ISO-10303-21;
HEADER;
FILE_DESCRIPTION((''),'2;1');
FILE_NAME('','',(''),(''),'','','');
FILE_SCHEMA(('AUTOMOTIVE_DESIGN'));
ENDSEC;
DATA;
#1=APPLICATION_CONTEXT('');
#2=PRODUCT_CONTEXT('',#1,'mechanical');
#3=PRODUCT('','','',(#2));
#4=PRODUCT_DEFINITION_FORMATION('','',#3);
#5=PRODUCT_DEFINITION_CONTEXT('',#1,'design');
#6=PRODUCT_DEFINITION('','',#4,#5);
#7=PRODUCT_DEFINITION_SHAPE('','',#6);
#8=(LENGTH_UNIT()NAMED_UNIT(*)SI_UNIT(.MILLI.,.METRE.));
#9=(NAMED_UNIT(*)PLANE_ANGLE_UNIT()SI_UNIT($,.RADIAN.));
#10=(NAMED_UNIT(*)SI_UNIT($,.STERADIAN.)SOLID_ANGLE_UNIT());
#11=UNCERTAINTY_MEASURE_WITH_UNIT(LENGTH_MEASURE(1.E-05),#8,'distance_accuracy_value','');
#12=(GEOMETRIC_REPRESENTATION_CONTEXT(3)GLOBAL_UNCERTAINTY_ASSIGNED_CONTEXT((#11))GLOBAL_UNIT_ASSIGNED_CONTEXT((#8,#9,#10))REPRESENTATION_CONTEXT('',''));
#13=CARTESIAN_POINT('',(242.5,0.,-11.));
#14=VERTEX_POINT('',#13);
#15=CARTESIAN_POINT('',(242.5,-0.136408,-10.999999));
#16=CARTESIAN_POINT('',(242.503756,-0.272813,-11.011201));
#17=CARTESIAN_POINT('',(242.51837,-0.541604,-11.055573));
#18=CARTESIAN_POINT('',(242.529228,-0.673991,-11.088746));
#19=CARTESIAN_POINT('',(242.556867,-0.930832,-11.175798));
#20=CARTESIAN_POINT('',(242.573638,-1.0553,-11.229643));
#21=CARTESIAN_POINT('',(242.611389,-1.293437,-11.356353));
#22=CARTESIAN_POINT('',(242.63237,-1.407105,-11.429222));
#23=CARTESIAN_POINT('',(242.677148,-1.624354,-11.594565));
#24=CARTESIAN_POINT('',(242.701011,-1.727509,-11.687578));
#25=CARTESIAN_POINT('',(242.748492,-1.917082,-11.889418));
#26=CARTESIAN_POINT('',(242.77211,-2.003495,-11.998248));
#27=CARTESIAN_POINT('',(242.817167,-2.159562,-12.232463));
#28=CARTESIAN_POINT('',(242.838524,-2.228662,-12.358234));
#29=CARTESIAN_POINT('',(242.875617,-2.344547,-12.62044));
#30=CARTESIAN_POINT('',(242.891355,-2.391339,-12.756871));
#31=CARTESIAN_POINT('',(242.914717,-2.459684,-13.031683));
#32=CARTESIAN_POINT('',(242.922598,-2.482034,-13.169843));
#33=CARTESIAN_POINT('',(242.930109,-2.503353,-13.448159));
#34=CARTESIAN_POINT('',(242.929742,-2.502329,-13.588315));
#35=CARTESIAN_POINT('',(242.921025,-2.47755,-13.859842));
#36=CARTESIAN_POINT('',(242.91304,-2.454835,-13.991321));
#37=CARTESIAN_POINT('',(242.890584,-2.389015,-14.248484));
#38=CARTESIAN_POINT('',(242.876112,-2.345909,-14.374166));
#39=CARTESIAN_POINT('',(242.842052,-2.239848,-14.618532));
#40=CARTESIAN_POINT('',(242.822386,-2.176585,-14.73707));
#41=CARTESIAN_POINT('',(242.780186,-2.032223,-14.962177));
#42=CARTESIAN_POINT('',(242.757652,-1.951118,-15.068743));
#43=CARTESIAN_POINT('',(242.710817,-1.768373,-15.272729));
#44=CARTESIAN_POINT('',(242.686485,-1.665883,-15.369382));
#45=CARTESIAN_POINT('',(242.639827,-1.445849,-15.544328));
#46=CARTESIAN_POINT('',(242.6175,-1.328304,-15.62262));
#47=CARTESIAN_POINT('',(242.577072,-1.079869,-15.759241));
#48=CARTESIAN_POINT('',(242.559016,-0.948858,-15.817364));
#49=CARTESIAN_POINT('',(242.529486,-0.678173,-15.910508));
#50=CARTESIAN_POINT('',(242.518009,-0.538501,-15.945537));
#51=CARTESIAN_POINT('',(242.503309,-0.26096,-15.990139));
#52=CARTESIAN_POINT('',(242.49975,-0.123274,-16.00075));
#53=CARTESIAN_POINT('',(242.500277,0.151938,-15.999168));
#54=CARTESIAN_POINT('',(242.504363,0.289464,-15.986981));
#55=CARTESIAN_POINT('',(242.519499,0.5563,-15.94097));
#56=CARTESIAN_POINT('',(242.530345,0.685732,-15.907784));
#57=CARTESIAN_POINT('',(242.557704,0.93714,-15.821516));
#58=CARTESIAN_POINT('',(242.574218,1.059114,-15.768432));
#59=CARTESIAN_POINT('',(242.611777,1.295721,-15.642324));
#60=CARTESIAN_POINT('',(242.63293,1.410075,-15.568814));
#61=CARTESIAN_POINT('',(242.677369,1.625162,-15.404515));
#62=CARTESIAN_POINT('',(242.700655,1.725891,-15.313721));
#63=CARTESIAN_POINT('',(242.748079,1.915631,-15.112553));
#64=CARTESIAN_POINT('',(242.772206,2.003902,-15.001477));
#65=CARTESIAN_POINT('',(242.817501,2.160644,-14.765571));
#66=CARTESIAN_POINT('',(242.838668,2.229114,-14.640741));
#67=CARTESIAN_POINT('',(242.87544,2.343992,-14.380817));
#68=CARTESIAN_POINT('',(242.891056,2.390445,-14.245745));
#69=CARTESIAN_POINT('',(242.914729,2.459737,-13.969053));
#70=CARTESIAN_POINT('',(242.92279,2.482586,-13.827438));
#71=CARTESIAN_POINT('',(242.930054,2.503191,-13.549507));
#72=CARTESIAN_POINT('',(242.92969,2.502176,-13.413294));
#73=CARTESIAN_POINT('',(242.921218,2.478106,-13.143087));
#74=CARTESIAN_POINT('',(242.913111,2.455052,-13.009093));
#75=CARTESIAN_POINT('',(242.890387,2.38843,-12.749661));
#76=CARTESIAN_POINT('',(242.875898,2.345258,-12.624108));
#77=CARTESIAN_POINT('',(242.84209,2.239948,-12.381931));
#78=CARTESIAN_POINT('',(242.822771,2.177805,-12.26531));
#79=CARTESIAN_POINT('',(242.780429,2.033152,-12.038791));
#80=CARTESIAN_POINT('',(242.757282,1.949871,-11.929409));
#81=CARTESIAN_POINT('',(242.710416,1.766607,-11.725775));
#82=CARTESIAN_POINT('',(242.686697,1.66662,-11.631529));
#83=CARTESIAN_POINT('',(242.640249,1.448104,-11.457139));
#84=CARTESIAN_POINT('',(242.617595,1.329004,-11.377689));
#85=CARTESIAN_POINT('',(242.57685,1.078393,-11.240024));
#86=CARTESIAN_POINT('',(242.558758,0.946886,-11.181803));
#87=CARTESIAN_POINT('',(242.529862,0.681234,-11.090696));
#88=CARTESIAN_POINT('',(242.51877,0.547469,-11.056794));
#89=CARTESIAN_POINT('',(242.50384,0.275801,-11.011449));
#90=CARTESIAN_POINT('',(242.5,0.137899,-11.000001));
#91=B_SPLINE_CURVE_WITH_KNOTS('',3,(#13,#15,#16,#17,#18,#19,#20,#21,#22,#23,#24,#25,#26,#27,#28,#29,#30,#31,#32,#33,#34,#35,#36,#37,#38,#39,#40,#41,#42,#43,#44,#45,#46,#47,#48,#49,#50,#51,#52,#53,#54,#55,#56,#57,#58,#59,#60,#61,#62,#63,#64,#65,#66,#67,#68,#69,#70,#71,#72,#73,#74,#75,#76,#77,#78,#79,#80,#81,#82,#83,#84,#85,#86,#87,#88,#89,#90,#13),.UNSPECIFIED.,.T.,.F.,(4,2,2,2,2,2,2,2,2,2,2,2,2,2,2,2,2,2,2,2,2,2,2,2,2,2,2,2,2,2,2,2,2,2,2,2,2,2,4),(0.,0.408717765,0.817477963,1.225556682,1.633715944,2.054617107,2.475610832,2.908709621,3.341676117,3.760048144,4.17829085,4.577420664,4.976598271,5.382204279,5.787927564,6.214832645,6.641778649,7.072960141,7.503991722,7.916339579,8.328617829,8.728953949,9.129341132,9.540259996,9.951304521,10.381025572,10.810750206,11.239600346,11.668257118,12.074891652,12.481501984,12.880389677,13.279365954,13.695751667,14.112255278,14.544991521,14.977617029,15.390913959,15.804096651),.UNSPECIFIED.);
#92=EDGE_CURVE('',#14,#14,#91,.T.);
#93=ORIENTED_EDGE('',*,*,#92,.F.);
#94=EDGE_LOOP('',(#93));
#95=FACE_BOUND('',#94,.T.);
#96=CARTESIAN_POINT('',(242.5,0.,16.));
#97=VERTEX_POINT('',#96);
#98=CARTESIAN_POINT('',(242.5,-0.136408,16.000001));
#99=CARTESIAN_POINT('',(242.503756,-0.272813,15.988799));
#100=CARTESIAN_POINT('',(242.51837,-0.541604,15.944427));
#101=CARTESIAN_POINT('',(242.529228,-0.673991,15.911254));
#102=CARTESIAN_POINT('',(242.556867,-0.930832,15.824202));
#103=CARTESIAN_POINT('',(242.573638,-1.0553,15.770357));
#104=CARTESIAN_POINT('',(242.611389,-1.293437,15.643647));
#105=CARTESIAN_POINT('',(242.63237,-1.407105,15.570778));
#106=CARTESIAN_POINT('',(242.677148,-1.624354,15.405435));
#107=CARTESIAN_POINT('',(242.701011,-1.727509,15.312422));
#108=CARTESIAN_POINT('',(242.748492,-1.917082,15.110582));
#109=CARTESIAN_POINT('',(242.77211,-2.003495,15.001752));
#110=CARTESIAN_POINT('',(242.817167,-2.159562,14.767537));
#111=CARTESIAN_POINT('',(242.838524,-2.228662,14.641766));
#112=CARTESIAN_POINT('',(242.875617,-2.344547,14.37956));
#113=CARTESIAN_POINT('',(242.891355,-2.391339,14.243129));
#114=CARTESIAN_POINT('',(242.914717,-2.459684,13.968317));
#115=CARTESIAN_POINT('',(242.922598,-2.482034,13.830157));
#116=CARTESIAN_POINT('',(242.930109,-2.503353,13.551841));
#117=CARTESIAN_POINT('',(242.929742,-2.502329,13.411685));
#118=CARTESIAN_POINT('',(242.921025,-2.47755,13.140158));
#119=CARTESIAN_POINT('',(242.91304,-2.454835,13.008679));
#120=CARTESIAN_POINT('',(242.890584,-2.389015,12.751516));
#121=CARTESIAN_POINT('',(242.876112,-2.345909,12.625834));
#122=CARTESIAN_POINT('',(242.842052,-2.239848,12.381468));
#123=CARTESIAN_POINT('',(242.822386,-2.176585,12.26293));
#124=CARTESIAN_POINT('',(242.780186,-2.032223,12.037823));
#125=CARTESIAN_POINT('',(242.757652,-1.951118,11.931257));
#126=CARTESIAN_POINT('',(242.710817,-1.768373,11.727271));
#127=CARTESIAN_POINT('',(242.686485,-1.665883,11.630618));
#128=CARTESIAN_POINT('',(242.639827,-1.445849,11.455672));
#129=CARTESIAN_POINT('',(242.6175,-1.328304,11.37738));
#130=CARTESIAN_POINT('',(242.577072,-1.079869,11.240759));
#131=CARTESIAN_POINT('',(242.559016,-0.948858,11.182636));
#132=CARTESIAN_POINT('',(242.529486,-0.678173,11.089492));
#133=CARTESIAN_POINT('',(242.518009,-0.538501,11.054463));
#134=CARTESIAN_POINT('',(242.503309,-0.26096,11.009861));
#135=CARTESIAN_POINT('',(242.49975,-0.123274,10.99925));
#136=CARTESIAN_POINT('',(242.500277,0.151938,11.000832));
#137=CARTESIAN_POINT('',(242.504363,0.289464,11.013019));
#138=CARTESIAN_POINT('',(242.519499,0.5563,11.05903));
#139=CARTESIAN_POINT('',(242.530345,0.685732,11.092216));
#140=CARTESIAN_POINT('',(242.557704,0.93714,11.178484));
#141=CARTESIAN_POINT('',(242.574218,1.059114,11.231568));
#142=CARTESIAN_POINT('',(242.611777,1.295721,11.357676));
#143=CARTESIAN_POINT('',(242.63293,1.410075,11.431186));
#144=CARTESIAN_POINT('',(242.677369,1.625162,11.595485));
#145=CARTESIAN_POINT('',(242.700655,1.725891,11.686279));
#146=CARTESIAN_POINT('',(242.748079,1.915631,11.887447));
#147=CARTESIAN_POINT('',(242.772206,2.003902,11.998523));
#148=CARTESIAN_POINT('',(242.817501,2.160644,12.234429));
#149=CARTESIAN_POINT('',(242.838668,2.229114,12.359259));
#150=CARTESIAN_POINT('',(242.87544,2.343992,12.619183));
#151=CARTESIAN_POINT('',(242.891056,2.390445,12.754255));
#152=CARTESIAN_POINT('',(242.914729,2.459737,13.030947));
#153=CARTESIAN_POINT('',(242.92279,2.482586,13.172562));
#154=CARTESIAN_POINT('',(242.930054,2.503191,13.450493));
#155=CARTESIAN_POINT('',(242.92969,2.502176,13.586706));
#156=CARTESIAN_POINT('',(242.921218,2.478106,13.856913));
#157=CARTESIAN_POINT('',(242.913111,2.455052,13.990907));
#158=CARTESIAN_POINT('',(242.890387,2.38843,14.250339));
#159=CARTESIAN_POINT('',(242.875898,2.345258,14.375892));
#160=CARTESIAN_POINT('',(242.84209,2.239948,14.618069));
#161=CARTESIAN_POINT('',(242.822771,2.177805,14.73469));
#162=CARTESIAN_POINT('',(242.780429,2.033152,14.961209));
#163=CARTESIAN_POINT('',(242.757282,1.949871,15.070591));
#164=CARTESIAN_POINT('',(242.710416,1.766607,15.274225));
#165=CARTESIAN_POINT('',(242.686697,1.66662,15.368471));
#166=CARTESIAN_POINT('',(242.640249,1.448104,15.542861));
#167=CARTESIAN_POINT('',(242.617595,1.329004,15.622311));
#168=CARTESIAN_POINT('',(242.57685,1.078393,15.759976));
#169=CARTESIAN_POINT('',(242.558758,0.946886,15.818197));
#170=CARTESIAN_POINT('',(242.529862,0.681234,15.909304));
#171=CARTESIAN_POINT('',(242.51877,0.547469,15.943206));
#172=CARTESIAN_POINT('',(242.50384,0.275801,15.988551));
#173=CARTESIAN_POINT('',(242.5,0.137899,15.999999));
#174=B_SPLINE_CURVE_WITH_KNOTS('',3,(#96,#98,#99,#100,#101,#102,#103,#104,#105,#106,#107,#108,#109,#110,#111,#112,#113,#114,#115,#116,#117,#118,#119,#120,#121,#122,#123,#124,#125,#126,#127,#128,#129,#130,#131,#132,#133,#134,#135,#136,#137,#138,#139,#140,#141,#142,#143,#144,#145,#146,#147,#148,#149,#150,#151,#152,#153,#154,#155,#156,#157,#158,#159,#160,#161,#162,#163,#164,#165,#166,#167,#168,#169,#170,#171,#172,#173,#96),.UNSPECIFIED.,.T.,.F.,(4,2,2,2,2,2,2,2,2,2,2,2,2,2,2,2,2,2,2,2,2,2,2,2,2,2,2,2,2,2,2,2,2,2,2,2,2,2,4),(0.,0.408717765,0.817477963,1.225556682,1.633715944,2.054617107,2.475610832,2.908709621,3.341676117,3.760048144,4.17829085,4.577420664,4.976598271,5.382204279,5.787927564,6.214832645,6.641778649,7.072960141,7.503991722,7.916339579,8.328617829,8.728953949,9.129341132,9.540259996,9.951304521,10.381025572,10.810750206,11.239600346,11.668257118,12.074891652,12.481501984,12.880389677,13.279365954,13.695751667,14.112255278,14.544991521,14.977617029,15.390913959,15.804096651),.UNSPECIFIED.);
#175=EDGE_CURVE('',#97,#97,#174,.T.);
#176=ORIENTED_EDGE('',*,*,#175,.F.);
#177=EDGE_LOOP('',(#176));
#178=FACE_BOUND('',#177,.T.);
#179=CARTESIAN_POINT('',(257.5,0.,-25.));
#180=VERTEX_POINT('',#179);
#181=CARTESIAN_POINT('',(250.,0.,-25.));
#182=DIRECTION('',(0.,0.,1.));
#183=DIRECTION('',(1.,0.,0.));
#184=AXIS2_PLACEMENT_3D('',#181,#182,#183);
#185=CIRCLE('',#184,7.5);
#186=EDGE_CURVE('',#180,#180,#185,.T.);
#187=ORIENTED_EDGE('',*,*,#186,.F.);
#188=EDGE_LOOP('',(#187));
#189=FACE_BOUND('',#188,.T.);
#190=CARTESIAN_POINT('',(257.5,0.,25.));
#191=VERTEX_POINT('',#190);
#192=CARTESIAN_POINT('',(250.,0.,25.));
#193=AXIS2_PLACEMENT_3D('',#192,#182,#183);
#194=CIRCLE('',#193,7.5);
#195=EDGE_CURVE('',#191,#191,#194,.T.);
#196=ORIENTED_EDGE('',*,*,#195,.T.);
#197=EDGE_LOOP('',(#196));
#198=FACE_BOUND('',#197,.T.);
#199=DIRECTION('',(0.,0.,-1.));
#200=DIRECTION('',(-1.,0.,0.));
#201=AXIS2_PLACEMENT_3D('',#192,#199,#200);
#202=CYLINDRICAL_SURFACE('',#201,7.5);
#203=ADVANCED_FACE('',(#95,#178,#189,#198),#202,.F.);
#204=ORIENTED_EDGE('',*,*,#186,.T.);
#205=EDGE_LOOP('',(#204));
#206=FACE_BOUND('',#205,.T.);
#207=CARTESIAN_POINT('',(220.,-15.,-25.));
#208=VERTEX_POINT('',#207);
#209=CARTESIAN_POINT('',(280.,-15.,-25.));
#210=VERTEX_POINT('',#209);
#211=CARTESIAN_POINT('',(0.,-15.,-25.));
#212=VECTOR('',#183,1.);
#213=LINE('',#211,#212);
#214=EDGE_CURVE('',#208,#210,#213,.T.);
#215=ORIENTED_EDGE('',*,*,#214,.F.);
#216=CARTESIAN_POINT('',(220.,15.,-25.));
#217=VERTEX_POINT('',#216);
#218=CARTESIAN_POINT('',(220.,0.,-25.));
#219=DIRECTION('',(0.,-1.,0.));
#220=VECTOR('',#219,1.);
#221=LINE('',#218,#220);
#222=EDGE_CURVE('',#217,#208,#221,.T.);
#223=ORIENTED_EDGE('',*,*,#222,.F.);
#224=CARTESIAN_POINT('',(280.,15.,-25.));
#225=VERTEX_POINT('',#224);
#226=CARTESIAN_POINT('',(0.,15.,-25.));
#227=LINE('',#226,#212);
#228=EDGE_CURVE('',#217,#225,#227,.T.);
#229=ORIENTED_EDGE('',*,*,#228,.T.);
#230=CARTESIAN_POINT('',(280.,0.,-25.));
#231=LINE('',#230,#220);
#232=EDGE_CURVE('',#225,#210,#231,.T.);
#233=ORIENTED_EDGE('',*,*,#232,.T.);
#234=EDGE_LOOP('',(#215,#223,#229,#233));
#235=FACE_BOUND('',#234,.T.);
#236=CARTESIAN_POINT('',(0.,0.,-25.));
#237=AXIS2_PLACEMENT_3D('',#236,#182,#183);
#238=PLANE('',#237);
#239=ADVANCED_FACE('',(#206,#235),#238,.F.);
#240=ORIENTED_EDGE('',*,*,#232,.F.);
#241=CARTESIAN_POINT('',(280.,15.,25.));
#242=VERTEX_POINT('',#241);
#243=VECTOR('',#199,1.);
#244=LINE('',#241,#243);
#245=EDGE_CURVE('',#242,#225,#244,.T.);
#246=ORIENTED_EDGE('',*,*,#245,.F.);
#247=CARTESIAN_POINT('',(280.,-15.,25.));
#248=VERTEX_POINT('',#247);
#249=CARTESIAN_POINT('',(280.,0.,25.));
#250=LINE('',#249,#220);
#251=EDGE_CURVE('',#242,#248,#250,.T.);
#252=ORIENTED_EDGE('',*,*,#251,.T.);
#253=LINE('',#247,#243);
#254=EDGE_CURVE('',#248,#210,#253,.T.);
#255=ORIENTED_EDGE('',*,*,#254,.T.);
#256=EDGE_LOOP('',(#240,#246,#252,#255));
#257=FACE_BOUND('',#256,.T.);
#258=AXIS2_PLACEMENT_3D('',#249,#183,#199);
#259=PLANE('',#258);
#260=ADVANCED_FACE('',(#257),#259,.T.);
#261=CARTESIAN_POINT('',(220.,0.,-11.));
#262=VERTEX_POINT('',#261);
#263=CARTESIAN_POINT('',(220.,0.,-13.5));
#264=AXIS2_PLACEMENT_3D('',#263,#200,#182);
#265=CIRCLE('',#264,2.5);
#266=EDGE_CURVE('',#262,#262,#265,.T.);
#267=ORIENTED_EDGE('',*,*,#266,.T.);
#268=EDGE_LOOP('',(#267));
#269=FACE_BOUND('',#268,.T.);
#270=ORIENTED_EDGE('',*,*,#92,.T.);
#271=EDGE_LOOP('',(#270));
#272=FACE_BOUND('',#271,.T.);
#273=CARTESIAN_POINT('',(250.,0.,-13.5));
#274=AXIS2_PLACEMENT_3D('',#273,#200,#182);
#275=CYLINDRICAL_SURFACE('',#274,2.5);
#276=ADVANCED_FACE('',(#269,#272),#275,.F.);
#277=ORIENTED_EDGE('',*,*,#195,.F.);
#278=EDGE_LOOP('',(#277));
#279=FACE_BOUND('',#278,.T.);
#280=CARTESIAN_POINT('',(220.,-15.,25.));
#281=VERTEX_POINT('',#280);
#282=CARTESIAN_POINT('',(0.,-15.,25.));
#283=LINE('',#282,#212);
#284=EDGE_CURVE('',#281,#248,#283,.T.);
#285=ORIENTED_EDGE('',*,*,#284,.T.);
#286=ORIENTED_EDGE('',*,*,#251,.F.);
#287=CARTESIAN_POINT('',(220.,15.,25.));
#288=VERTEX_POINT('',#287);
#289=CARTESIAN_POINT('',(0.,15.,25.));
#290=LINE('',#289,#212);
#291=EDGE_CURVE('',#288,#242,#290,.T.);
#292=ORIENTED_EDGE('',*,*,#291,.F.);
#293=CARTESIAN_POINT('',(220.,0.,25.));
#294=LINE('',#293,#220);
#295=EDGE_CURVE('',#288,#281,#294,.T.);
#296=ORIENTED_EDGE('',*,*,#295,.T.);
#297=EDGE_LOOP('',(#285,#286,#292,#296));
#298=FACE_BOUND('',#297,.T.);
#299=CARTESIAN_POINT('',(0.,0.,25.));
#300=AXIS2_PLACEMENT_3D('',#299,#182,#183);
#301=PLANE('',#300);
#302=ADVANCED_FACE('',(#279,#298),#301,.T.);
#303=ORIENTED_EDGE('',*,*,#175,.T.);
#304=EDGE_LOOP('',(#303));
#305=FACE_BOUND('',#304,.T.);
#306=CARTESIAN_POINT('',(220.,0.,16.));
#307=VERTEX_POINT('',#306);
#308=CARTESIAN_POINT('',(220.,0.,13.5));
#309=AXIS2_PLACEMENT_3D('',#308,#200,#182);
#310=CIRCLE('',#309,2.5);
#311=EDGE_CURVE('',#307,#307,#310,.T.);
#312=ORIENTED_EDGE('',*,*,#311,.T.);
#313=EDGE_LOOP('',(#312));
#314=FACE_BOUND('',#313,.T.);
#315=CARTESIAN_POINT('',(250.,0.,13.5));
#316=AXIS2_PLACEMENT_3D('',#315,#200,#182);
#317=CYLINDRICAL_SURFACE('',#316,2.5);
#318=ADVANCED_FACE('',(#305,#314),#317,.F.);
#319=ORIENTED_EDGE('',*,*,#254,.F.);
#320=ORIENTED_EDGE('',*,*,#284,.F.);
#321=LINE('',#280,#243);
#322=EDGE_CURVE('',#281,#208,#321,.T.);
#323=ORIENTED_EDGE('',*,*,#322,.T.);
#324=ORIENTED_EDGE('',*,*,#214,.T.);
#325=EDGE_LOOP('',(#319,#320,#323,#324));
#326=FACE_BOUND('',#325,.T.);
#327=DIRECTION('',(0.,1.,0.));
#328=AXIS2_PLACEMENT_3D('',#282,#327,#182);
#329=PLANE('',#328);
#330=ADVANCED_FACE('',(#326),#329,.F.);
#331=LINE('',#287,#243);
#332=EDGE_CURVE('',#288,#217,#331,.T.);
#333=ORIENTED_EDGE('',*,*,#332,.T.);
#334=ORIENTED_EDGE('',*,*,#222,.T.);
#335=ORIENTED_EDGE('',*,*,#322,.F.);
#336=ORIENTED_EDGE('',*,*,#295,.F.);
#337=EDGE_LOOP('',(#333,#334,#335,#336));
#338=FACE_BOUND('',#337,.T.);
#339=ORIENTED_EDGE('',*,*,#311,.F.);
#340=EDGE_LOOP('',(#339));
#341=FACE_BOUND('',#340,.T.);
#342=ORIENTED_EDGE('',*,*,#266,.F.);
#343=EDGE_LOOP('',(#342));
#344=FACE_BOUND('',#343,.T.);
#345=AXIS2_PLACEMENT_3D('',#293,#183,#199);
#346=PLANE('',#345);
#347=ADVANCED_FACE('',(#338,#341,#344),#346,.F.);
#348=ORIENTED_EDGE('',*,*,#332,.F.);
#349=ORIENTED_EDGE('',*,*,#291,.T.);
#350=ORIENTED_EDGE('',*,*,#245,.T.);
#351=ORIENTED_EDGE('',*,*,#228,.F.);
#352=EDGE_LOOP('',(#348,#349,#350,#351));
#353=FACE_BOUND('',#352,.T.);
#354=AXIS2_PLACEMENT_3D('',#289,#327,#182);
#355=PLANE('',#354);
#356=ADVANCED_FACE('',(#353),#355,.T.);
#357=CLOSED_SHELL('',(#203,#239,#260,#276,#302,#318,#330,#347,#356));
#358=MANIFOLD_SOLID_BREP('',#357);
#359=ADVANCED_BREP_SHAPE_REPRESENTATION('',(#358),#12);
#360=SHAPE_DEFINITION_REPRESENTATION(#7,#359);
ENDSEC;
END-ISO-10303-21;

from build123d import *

# Parameters (mm, degrees)
SKETCH1_W           = 60
SKETCH1_H           = 30
SKETCH1_R           = 7.5
BOSS_EXTRUDE1_DEPTH = 25
SKETCH2_R           = 2.5
CUT_EXTRUDE1_DEPTH  = 30


with BuildPart() as part:
    # Sketch1 → Boss-Extrude1 (new body, symmetric)
    with BuildSketch(Plane.XY):
        with Locations((250, 0)):
            Rectangle(SKETCH1_W, SKETCH1_H)
        with Locations((250, 0)):
            Circle(SKETCH1_R, mode=Mode.SUBTRACT)
    extrude(amount=BOSS_EXTRUDE1_DEPTH, both=True)

    # Sketch2 → Cut-Extrude1 (cut)
    with BuildSketch(Plane.ZY.offset(-220)):
        with Locations((13.5, 0)):
            Circle(SKETCH2_R)
        with Locations((-13.5, 0)):
            Circle(SKETCH2_R)
    extrude(amount=-CUT_EXTRUDE1_DEPTH, mode=Mode.SUBTRACT)


solid = part.part
